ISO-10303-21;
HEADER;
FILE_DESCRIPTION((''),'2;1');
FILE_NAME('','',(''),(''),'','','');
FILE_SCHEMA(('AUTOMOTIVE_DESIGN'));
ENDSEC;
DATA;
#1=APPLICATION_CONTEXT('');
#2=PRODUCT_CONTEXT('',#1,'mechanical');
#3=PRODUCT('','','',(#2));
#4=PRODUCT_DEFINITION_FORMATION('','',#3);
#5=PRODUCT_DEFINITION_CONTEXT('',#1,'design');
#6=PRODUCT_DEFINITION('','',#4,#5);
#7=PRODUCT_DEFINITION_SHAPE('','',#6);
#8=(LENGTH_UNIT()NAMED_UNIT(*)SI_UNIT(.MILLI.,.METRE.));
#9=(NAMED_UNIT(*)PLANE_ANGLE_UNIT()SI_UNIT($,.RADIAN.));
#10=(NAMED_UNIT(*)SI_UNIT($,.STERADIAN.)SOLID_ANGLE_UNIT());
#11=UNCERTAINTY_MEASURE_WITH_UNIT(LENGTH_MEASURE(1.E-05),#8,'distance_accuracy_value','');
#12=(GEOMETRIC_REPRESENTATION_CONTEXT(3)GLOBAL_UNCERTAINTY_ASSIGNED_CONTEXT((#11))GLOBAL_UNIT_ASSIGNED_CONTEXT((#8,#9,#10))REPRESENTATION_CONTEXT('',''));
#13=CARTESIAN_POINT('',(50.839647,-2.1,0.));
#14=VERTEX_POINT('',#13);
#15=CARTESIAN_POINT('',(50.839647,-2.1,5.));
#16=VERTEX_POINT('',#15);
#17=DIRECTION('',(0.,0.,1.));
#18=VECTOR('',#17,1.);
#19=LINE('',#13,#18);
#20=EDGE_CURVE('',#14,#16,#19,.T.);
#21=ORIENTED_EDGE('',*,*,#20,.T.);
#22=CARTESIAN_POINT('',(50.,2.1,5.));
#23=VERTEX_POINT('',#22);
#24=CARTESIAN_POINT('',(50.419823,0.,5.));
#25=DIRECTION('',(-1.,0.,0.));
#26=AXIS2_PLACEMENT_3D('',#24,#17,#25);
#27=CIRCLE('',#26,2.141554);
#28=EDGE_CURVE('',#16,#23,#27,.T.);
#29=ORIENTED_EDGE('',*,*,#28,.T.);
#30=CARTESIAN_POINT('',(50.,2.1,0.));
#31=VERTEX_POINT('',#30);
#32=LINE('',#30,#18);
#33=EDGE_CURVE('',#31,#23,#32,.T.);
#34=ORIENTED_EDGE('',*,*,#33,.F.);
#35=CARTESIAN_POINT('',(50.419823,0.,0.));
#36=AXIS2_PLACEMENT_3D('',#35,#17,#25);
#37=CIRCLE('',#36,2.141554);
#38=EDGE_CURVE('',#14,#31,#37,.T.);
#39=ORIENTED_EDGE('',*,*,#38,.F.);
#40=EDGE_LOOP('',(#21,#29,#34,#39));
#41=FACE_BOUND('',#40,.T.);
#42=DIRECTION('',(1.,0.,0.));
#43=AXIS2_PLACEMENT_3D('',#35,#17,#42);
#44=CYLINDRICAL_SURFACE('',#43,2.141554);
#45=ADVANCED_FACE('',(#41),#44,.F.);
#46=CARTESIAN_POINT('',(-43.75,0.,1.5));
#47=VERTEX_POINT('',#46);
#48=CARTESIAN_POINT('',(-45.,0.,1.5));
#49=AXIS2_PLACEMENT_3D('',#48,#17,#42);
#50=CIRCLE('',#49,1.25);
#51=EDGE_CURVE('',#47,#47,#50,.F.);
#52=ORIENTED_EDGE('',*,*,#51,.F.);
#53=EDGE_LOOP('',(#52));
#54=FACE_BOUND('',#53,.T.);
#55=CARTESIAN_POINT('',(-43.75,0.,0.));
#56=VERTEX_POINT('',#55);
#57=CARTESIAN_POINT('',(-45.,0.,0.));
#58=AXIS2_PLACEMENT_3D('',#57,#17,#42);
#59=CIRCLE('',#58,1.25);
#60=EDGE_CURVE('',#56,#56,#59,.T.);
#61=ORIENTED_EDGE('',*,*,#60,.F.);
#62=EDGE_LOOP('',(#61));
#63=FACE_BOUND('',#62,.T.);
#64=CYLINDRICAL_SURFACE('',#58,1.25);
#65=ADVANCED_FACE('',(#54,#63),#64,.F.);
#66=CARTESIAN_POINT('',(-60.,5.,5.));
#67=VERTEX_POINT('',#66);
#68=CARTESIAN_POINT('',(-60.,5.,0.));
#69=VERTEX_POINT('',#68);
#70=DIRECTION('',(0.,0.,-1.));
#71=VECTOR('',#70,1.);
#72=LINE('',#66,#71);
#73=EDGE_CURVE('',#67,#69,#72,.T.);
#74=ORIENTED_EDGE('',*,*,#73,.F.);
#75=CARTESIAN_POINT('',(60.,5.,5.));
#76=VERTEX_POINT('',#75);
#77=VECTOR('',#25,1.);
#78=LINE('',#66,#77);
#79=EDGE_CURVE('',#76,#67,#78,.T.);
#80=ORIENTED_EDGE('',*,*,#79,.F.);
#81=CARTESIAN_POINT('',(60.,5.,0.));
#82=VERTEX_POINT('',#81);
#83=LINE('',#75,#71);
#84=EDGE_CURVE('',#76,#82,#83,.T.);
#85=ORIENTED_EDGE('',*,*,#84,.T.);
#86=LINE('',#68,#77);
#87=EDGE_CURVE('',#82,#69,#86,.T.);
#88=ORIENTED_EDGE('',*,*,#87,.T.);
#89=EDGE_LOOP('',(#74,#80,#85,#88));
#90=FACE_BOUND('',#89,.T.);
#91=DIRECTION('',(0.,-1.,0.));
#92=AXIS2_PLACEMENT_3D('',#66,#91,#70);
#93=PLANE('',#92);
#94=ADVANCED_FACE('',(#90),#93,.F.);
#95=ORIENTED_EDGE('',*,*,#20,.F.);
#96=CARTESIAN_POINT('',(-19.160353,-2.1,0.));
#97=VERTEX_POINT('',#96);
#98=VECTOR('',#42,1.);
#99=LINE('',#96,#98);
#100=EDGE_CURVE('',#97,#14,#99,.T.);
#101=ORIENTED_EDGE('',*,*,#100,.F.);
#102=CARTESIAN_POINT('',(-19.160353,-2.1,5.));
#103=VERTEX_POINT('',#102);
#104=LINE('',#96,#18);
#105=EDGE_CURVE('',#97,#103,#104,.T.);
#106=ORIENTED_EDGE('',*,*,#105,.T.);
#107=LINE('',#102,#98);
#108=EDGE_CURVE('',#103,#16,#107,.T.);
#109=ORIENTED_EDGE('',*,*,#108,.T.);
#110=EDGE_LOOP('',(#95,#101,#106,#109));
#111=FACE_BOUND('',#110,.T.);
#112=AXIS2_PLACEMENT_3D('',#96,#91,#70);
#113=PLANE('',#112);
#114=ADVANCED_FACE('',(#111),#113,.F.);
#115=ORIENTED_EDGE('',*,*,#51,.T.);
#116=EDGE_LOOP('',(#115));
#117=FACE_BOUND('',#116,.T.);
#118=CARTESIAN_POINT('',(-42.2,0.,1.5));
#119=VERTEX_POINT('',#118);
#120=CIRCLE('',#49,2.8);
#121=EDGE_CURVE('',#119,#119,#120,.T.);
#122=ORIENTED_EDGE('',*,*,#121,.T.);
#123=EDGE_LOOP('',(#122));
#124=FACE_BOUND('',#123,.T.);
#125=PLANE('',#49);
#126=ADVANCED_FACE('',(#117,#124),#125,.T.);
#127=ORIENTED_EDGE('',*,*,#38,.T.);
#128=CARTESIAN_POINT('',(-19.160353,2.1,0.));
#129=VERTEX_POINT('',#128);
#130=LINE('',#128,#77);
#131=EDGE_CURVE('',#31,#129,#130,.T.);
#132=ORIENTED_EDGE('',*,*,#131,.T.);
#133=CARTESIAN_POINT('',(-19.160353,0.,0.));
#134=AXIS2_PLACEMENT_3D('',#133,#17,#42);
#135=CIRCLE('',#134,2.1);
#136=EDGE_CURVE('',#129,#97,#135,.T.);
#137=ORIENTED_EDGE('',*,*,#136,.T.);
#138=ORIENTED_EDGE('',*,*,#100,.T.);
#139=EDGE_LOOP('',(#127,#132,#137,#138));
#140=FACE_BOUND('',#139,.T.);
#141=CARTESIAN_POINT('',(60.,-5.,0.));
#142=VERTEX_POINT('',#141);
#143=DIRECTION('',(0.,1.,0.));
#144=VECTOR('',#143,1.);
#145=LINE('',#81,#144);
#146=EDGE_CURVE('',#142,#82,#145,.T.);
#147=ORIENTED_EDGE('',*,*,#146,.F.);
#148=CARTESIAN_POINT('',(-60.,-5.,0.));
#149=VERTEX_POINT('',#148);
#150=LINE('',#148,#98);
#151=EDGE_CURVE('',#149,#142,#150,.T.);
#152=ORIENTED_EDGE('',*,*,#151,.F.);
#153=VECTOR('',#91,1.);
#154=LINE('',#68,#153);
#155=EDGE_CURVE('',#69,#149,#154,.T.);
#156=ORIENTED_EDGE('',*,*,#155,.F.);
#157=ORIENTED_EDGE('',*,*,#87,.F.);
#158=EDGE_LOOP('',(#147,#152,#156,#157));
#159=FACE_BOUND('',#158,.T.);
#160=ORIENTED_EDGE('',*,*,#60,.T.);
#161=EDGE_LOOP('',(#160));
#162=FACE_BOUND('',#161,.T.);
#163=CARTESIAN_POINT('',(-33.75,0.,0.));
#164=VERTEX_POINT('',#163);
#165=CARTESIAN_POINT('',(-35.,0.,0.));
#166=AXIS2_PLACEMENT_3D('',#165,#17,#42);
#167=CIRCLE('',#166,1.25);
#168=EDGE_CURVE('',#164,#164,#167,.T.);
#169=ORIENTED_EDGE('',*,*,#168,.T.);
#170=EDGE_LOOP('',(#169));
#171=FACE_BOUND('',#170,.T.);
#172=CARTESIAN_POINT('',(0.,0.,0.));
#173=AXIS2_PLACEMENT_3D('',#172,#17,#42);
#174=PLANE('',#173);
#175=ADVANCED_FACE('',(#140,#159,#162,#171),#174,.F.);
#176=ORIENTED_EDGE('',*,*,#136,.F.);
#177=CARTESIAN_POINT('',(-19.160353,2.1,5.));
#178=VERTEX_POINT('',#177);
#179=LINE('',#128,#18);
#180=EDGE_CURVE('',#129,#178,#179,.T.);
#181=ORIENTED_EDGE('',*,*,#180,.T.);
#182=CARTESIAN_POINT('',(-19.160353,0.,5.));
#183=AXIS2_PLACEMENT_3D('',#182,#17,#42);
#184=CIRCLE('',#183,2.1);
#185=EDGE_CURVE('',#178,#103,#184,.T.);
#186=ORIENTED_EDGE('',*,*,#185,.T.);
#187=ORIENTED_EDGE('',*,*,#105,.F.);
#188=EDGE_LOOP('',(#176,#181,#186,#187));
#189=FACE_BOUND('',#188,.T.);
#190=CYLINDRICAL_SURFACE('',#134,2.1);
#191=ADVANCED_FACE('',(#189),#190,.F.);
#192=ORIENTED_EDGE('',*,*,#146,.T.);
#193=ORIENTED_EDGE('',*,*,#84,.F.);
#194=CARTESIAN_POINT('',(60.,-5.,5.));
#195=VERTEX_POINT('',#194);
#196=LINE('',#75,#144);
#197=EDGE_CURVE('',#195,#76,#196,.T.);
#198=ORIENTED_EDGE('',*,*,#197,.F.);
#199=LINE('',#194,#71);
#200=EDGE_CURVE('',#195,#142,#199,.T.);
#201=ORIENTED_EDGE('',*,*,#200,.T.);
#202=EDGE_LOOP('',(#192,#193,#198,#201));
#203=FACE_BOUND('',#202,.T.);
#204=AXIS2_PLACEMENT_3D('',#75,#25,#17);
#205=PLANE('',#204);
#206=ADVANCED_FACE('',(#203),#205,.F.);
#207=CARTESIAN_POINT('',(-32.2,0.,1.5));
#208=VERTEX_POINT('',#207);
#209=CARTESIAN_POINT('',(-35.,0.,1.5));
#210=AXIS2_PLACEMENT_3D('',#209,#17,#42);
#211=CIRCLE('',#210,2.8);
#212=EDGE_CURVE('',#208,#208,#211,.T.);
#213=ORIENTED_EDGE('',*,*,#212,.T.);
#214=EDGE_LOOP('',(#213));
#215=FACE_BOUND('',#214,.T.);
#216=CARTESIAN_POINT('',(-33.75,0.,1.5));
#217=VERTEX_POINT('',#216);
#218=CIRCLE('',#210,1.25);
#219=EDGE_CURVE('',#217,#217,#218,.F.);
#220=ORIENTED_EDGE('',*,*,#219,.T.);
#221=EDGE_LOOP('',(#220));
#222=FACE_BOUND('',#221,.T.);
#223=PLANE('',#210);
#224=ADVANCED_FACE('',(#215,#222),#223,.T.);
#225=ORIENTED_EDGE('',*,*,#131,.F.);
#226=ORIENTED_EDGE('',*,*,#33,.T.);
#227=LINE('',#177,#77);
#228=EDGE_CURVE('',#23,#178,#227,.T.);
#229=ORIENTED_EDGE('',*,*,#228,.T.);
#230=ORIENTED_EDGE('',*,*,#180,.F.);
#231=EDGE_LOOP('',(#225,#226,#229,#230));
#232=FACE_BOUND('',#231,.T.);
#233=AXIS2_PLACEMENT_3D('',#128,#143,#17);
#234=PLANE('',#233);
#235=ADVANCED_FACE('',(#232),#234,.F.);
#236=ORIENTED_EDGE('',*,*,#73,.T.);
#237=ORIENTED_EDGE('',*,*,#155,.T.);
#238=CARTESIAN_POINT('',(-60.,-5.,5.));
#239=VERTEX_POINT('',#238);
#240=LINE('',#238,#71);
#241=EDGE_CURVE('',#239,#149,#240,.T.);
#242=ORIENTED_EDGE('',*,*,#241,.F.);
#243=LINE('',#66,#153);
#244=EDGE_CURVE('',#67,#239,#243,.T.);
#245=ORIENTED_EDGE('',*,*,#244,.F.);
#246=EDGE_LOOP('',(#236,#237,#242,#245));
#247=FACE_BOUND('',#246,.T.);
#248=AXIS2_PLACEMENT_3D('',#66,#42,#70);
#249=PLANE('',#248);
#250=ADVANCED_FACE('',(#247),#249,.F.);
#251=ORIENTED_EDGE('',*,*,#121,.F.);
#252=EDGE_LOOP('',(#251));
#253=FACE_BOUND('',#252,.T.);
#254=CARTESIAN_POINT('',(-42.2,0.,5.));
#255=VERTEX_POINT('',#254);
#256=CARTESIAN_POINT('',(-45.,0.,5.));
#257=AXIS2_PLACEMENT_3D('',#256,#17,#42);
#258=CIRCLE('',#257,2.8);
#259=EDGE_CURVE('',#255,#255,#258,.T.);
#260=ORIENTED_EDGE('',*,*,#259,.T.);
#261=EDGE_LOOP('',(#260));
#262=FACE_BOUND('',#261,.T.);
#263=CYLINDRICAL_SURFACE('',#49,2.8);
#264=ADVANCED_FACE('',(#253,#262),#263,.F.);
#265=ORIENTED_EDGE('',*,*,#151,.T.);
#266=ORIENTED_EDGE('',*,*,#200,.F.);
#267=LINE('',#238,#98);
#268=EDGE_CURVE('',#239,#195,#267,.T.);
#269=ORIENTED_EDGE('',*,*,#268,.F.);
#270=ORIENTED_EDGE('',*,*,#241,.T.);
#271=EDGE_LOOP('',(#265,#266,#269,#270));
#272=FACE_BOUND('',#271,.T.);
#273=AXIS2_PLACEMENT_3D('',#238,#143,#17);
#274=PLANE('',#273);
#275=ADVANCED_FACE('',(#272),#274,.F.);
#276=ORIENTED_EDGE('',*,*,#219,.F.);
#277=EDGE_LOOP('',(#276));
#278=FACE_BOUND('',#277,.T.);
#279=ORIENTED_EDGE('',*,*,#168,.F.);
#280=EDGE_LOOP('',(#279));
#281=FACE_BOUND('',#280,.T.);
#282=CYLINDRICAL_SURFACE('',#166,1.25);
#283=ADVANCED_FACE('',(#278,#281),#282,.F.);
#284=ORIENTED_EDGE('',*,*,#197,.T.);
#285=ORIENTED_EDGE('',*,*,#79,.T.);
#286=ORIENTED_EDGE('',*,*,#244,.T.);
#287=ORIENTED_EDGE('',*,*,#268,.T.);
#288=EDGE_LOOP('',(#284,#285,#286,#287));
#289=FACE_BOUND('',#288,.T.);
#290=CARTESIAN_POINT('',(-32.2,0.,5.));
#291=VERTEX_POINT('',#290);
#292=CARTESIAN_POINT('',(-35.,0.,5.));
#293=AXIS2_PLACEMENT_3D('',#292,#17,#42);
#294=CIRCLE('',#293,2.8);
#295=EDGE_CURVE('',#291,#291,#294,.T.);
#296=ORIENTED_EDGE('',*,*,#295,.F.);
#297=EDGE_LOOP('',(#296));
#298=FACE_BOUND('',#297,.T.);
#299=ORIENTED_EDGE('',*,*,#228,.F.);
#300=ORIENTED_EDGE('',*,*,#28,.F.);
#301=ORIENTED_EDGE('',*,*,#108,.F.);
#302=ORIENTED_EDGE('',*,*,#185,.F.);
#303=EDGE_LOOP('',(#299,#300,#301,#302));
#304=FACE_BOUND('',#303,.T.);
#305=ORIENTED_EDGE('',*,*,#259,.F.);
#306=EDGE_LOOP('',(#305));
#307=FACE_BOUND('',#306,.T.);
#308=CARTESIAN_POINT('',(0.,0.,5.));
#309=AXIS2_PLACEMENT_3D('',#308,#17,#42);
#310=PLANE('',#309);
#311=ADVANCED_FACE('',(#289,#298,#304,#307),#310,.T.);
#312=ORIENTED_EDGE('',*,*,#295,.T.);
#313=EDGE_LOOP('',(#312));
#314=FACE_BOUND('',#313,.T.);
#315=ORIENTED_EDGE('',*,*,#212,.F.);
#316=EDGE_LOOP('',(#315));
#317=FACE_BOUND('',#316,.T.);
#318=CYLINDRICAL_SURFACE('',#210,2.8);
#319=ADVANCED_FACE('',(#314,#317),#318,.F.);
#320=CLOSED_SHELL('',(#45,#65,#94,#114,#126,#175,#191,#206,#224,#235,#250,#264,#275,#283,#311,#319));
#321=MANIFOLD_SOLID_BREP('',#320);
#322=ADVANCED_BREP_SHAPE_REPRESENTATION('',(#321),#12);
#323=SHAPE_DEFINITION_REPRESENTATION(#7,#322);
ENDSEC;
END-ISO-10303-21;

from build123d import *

# Parameters (mm, degrees)
SKETCH_1_W          = 120
SKETCH_1_H          = 10
EXTRUDE_1_DEPTH     = 5
SKETCH_2_R          = 1.25
CUT_EXTRUDE_1_DEPTH = 5
SKETCH_3_R          = 2.8
CUT_EXTRUDE_2_DEPTH = 3.5


with BuildPart() as part:
    # Эскиз1 → Бобышка-Вытянуть1 (new body)
    with BuildSketch(Plane.XY):
        Rectangle(SKETCH_1_W, SKETCH_1_H)
    extrude(amount=EXTRUDE_1_DEPTH)

    # Эскиз2 → Вырез-Вытянуть1 (cut)
    with BuildSketch(Plane.XY.offset(5)):
        with Locations((-45, 0)):
            Circle(SKETCH_2_R)
        with Locations((-35, 0)):
            Circle(SKETCH_2_R)
        with BuildLine():
            Line((-19.160353307, 2.1), (50, 2.1))
            ThreePointArc((50, 2.1), (52.519823346, 0.419823346), (50.839646693, -2.1))
            Line((50.839646693, -2.1), (-19.160353307, -2.1))
            ThreePointArc((-19.160353307, -2.1), (-21.260353307, 0), (-19.160353307, 2.1))
        make_face()
    extrude(amount=-CUT_EXTRUDE_1_DEPTH, mode=Mode.SUBTRACT)

    # Эскиз3 → Вырез-Вытянуть2 (cut)
    with BuildSketch(Plane.XY.offset(5)):
        with Locations((-45, 0)):
            Circle(SKETCH_3_R)
        with Locations((-35, 0)):
            Circle(SKETCH_3_R)
    extrude(amount=-CUT_EXTRUDE_2_DEPTH, mode=Mode.SUBTRACT)


solid = part.part
